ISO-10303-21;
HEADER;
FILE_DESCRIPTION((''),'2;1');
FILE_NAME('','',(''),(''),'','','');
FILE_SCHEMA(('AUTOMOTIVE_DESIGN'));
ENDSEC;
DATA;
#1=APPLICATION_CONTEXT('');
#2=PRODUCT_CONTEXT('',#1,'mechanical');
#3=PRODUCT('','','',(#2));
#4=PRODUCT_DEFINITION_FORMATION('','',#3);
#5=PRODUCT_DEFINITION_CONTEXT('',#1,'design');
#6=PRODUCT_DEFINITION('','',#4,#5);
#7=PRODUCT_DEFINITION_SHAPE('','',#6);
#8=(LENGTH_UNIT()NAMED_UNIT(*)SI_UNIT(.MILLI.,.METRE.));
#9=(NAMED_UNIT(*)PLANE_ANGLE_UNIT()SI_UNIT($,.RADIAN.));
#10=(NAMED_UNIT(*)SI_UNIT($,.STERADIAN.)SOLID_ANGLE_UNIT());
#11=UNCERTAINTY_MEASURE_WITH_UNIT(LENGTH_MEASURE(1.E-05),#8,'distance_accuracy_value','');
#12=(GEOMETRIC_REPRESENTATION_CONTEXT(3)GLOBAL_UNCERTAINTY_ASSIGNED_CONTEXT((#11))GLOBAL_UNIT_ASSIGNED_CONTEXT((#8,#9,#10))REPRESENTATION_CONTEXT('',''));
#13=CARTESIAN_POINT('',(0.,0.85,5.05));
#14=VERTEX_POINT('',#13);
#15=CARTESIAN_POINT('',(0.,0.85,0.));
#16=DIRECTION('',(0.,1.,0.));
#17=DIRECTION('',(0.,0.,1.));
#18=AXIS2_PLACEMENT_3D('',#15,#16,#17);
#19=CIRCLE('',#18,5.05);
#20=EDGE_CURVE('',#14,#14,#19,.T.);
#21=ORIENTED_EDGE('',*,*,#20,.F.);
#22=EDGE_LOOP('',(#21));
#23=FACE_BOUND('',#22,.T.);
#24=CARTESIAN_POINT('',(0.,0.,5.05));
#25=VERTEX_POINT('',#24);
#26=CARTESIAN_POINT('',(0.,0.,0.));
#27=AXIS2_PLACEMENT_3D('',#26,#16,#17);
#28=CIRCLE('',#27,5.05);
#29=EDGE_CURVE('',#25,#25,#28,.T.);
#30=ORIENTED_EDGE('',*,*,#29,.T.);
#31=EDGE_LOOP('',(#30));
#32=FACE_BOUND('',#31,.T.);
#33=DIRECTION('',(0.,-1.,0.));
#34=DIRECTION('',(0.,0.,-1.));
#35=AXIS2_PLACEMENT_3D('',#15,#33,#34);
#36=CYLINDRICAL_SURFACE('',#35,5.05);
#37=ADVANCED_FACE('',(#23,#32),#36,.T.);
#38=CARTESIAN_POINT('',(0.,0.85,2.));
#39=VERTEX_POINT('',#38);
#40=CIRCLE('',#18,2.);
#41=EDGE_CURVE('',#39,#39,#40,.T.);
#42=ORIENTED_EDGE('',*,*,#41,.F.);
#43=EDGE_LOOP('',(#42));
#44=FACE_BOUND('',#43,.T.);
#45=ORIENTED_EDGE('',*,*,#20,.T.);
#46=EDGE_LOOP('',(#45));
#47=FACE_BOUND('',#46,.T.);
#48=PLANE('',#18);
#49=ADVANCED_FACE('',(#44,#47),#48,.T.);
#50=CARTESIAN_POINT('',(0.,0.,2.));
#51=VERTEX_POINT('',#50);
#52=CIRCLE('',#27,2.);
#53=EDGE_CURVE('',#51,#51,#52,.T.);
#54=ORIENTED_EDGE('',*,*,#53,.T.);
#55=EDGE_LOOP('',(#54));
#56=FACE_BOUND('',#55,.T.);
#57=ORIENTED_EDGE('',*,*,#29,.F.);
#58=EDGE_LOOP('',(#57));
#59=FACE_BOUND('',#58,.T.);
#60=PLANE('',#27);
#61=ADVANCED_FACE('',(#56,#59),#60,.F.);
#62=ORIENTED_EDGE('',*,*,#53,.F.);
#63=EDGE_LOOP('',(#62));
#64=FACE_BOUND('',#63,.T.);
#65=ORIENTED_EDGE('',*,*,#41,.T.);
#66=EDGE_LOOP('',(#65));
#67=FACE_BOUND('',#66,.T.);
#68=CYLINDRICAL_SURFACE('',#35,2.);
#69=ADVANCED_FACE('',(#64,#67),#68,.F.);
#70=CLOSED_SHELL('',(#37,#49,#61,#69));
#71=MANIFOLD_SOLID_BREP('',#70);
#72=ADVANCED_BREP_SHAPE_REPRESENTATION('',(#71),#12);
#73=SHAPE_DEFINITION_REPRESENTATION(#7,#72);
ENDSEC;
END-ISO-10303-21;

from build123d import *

# Parameters (mm, degrees)
SKETCH_1_R      = 5.05
SKETCH_1_R_2    = 2
EXTRUDE_1_DEPTH = 0.85


with BuildPart() as part:
    # ｽｹｯﾁ1 → 押し出し1 (new body)
    with BuildSketch(Plane(origin=(0, 0, 0), x_dir=(1, 0, 0), z_dir=(0, 1, 0))):
        with Locations(Location((0, 0, 0), (0, 0, 270))):
            Circle(SKETCH_1_R)
        with Locations(Location((0, 0, 0), (0, 0, 270))):
            Circle(SKETCH_1_R_2, mode=Mode.SUBTRACT)
    extrude(amount=EXTRUDE_1_DEPTH)


solid = part.part
